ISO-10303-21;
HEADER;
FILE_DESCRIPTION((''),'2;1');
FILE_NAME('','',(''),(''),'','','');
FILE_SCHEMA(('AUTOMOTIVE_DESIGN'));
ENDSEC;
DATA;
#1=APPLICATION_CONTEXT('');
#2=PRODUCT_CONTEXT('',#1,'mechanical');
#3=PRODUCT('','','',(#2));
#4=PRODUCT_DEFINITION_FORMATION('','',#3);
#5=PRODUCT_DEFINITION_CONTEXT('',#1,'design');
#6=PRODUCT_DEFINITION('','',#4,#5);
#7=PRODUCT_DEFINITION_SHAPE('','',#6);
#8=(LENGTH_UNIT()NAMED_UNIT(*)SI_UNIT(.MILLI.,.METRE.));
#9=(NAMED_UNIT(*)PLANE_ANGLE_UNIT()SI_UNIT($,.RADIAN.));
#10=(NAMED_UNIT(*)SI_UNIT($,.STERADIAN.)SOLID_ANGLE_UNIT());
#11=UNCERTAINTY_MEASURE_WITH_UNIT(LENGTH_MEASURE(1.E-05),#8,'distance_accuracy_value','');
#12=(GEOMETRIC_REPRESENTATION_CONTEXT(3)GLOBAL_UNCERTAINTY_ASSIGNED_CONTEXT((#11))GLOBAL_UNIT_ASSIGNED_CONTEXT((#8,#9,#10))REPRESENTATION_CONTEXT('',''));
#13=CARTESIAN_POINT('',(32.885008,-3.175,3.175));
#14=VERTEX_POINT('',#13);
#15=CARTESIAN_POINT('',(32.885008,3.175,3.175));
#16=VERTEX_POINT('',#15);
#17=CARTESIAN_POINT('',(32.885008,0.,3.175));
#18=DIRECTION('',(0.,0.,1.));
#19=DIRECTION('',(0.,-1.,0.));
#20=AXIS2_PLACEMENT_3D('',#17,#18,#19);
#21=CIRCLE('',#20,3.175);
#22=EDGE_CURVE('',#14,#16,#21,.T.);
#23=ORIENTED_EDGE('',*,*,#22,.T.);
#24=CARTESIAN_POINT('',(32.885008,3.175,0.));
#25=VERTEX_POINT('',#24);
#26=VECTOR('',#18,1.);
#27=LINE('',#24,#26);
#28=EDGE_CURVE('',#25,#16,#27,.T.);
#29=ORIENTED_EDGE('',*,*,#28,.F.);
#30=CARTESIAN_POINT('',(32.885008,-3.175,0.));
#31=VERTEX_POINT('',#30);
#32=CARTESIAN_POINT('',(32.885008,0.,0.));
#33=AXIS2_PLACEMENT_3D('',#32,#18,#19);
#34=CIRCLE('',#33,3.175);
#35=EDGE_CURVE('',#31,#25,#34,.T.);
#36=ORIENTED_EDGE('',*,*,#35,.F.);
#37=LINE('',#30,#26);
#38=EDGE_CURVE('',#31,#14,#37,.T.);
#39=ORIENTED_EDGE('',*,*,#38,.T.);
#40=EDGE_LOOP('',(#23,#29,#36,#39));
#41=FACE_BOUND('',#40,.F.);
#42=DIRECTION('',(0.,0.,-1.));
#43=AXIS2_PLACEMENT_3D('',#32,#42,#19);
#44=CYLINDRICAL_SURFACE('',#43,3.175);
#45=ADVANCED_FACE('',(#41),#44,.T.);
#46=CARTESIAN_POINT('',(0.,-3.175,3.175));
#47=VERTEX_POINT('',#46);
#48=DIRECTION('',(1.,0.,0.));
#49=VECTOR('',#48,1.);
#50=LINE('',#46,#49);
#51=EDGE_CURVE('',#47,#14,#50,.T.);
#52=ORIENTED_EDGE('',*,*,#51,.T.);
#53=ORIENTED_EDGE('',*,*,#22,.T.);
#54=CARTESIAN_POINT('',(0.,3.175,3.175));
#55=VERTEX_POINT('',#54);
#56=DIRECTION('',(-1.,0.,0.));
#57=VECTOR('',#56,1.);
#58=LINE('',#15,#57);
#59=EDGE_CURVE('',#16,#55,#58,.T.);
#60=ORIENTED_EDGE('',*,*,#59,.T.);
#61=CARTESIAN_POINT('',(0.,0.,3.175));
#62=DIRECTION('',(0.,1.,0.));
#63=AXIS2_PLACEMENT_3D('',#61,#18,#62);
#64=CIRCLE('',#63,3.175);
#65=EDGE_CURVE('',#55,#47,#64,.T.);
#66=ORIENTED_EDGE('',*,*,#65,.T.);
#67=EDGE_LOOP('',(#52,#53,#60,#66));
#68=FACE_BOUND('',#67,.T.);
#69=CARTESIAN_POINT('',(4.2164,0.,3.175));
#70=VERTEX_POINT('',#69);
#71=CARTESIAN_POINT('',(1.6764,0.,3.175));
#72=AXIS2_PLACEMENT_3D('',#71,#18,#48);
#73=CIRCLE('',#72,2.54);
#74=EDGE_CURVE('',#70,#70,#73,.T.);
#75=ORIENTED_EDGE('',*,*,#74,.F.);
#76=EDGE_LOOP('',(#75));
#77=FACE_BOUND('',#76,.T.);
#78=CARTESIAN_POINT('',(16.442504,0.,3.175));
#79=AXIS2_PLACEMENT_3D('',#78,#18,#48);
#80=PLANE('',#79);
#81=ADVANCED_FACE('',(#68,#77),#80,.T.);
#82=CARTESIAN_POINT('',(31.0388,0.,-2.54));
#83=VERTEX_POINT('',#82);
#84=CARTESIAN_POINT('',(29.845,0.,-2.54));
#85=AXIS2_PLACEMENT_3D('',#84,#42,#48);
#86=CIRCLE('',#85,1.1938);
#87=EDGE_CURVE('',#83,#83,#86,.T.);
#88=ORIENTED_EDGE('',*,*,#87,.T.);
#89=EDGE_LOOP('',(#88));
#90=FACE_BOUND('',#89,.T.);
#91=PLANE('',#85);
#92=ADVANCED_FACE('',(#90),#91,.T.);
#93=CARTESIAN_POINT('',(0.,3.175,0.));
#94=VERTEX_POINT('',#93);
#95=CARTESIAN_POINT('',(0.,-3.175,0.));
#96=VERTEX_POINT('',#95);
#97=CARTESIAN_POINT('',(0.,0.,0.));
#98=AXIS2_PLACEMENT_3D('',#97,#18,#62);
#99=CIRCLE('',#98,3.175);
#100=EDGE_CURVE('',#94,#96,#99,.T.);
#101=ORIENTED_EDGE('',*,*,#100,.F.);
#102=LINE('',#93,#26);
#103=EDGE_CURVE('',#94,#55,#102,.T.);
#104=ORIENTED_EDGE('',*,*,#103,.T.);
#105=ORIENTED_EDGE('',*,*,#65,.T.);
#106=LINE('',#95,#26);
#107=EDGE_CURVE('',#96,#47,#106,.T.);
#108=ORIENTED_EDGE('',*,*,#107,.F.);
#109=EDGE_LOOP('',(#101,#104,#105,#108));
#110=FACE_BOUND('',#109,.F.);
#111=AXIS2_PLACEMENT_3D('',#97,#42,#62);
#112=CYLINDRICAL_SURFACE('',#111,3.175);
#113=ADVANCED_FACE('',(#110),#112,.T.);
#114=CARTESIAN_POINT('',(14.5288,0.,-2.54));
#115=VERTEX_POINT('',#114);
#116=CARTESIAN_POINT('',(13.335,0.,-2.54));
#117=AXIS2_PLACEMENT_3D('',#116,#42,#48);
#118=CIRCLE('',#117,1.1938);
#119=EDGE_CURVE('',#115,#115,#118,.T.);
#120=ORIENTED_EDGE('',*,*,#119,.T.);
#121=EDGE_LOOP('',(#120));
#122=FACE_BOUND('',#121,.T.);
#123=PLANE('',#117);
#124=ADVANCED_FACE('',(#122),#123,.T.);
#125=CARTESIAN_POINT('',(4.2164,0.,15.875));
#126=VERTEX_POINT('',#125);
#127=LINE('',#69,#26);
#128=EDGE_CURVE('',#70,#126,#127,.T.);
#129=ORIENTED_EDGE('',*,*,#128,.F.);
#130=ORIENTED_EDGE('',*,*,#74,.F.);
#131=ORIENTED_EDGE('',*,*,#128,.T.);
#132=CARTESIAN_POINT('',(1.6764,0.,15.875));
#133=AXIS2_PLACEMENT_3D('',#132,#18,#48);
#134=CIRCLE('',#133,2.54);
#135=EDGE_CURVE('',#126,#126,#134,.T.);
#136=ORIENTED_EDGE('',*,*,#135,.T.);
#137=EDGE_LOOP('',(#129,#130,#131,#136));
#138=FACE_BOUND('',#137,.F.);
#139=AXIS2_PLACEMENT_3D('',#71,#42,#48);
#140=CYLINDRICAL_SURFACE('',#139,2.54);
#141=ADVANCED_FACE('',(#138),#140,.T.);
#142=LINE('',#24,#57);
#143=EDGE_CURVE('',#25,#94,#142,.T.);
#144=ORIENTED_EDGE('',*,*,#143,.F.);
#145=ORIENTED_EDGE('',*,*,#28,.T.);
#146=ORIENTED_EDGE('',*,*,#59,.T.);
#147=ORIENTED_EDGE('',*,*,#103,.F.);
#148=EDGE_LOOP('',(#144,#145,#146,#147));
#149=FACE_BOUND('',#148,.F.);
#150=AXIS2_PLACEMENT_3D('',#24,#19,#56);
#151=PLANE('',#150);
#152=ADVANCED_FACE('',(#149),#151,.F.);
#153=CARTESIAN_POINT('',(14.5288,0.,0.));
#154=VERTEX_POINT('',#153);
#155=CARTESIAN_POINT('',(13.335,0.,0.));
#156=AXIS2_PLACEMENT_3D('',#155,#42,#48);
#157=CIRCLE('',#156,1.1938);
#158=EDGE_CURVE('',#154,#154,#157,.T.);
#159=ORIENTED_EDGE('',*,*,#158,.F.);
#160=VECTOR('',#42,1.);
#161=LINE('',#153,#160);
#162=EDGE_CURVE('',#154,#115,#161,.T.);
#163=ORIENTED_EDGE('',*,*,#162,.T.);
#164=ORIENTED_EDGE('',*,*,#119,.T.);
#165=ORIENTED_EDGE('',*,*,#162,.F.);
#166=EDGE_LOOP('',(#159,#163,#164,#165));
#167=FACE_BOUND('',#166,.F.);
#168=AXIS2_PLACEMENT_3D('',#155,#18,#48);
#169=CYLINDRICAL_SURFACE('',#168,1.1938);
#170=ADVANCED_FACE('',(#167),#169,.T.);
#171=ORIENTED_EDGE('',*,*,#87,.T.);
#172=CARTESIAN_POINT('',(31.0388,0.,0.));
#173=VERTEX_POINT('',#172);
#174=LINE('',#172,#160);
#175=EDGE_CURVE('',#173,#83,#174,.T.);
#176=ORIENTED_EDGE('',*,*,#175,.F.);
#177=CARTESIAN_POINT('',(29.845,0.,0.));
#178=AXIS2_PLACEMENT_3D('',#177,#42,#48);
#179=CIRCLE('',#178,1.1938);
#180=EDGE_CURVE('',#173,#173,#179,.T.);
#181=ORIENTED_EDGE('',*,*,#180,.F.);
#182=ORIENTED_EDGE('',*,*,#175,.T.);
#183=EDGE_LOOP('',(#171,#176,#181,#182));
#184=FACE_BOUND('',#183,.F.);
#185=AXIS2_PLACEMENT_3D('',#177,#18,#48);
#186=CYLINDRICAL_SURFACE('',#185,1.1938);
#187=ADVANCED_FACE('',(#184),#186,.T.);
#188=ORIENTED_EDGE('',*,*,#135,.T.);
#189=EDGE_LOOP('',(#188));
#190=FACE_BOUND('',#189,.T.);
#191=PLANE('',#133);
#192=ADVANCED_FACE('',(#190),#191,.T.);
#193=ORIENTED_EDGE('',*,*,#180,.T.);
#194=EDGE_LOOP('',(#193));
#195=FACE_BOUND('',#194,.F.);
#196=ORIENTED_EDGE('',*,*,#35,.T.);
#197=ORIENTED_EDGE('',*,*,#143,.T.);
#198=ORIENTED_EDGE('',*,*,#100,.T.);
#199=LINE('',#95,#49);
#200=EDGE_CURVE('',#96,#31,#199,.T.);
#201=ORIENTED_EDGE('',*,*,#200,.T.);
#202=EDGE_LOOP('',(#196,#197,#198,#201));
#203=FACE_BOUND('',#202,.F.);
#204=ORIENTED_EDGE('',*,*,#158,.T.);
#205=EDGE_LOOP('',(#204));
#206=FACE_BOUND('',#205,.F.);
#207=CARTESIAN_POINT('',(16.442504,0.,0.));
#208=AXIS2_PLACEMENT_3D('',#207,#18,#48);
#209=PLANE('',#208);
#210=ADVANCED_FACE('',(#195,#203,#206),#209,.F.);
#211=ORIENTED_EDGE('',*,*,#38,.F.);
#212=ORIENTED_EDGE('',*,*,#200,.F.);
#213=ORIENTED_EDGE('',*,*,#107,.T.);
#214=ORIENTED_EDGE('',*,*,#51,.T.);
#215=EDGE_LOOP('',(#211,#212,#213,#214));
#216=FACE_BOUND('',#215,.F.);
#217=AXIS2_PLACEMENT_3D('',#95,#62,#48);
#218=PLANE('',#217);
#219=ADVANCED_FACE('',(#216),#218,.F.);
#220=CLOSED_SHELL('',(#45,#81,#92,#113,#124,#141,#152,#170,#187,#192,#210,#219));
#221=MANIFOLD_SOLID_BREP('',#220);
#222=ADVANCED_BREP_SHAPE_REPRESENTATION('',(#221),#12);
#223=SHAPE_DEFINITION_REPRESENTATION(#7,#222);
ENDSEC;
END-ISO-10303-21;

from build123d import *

# Parameters (mm, degrees)
F1_DEPTH = 3.175
F2_R     = 2.54
F3_DEPTH = 12.7
F4_R     = 1.1938
F5_DEPTH = 2.54


with BuildPart() as f1:
    # F0 (on Top) → F1 (new body)
    with BuildSketch(Plane.XY):
        with BuildLine():
            Line((32.885008, 3.175), (0, 3.175))
            ThreePointArc((0, 3.175), (-3.175, 0), (0, -3.175))
            Line((0, -3.175), (32.885008, -3.175))
            ThreePointArc((32.885008, -3.175), (36.060008, 0), (32.885008, 3.175))
        make_face()
    extrude(amount=F1_DEPTH)

    # F2 (on face) → F3 (join)
    with BuildSketch(Plane.XY.offset(3.175)):
        with Locations((1.6764, 0)):
            Circle(F2_R)
    extrude(amount=F3_DEPTH)

    # F4 (on face) → F5 (join)
    with BuildSketch(Plane(origin=(0, 0, 0), x_dir=(1, 0, 0), z_dir=(0, 0, -1))):
        with Locations((13.335, 0)):
            Circle(F4_R)
        with Locations((29.845, 0)):
            Circle(F4_R)
    extrude(amount=F5_DEPTH)


solid = f1.part
